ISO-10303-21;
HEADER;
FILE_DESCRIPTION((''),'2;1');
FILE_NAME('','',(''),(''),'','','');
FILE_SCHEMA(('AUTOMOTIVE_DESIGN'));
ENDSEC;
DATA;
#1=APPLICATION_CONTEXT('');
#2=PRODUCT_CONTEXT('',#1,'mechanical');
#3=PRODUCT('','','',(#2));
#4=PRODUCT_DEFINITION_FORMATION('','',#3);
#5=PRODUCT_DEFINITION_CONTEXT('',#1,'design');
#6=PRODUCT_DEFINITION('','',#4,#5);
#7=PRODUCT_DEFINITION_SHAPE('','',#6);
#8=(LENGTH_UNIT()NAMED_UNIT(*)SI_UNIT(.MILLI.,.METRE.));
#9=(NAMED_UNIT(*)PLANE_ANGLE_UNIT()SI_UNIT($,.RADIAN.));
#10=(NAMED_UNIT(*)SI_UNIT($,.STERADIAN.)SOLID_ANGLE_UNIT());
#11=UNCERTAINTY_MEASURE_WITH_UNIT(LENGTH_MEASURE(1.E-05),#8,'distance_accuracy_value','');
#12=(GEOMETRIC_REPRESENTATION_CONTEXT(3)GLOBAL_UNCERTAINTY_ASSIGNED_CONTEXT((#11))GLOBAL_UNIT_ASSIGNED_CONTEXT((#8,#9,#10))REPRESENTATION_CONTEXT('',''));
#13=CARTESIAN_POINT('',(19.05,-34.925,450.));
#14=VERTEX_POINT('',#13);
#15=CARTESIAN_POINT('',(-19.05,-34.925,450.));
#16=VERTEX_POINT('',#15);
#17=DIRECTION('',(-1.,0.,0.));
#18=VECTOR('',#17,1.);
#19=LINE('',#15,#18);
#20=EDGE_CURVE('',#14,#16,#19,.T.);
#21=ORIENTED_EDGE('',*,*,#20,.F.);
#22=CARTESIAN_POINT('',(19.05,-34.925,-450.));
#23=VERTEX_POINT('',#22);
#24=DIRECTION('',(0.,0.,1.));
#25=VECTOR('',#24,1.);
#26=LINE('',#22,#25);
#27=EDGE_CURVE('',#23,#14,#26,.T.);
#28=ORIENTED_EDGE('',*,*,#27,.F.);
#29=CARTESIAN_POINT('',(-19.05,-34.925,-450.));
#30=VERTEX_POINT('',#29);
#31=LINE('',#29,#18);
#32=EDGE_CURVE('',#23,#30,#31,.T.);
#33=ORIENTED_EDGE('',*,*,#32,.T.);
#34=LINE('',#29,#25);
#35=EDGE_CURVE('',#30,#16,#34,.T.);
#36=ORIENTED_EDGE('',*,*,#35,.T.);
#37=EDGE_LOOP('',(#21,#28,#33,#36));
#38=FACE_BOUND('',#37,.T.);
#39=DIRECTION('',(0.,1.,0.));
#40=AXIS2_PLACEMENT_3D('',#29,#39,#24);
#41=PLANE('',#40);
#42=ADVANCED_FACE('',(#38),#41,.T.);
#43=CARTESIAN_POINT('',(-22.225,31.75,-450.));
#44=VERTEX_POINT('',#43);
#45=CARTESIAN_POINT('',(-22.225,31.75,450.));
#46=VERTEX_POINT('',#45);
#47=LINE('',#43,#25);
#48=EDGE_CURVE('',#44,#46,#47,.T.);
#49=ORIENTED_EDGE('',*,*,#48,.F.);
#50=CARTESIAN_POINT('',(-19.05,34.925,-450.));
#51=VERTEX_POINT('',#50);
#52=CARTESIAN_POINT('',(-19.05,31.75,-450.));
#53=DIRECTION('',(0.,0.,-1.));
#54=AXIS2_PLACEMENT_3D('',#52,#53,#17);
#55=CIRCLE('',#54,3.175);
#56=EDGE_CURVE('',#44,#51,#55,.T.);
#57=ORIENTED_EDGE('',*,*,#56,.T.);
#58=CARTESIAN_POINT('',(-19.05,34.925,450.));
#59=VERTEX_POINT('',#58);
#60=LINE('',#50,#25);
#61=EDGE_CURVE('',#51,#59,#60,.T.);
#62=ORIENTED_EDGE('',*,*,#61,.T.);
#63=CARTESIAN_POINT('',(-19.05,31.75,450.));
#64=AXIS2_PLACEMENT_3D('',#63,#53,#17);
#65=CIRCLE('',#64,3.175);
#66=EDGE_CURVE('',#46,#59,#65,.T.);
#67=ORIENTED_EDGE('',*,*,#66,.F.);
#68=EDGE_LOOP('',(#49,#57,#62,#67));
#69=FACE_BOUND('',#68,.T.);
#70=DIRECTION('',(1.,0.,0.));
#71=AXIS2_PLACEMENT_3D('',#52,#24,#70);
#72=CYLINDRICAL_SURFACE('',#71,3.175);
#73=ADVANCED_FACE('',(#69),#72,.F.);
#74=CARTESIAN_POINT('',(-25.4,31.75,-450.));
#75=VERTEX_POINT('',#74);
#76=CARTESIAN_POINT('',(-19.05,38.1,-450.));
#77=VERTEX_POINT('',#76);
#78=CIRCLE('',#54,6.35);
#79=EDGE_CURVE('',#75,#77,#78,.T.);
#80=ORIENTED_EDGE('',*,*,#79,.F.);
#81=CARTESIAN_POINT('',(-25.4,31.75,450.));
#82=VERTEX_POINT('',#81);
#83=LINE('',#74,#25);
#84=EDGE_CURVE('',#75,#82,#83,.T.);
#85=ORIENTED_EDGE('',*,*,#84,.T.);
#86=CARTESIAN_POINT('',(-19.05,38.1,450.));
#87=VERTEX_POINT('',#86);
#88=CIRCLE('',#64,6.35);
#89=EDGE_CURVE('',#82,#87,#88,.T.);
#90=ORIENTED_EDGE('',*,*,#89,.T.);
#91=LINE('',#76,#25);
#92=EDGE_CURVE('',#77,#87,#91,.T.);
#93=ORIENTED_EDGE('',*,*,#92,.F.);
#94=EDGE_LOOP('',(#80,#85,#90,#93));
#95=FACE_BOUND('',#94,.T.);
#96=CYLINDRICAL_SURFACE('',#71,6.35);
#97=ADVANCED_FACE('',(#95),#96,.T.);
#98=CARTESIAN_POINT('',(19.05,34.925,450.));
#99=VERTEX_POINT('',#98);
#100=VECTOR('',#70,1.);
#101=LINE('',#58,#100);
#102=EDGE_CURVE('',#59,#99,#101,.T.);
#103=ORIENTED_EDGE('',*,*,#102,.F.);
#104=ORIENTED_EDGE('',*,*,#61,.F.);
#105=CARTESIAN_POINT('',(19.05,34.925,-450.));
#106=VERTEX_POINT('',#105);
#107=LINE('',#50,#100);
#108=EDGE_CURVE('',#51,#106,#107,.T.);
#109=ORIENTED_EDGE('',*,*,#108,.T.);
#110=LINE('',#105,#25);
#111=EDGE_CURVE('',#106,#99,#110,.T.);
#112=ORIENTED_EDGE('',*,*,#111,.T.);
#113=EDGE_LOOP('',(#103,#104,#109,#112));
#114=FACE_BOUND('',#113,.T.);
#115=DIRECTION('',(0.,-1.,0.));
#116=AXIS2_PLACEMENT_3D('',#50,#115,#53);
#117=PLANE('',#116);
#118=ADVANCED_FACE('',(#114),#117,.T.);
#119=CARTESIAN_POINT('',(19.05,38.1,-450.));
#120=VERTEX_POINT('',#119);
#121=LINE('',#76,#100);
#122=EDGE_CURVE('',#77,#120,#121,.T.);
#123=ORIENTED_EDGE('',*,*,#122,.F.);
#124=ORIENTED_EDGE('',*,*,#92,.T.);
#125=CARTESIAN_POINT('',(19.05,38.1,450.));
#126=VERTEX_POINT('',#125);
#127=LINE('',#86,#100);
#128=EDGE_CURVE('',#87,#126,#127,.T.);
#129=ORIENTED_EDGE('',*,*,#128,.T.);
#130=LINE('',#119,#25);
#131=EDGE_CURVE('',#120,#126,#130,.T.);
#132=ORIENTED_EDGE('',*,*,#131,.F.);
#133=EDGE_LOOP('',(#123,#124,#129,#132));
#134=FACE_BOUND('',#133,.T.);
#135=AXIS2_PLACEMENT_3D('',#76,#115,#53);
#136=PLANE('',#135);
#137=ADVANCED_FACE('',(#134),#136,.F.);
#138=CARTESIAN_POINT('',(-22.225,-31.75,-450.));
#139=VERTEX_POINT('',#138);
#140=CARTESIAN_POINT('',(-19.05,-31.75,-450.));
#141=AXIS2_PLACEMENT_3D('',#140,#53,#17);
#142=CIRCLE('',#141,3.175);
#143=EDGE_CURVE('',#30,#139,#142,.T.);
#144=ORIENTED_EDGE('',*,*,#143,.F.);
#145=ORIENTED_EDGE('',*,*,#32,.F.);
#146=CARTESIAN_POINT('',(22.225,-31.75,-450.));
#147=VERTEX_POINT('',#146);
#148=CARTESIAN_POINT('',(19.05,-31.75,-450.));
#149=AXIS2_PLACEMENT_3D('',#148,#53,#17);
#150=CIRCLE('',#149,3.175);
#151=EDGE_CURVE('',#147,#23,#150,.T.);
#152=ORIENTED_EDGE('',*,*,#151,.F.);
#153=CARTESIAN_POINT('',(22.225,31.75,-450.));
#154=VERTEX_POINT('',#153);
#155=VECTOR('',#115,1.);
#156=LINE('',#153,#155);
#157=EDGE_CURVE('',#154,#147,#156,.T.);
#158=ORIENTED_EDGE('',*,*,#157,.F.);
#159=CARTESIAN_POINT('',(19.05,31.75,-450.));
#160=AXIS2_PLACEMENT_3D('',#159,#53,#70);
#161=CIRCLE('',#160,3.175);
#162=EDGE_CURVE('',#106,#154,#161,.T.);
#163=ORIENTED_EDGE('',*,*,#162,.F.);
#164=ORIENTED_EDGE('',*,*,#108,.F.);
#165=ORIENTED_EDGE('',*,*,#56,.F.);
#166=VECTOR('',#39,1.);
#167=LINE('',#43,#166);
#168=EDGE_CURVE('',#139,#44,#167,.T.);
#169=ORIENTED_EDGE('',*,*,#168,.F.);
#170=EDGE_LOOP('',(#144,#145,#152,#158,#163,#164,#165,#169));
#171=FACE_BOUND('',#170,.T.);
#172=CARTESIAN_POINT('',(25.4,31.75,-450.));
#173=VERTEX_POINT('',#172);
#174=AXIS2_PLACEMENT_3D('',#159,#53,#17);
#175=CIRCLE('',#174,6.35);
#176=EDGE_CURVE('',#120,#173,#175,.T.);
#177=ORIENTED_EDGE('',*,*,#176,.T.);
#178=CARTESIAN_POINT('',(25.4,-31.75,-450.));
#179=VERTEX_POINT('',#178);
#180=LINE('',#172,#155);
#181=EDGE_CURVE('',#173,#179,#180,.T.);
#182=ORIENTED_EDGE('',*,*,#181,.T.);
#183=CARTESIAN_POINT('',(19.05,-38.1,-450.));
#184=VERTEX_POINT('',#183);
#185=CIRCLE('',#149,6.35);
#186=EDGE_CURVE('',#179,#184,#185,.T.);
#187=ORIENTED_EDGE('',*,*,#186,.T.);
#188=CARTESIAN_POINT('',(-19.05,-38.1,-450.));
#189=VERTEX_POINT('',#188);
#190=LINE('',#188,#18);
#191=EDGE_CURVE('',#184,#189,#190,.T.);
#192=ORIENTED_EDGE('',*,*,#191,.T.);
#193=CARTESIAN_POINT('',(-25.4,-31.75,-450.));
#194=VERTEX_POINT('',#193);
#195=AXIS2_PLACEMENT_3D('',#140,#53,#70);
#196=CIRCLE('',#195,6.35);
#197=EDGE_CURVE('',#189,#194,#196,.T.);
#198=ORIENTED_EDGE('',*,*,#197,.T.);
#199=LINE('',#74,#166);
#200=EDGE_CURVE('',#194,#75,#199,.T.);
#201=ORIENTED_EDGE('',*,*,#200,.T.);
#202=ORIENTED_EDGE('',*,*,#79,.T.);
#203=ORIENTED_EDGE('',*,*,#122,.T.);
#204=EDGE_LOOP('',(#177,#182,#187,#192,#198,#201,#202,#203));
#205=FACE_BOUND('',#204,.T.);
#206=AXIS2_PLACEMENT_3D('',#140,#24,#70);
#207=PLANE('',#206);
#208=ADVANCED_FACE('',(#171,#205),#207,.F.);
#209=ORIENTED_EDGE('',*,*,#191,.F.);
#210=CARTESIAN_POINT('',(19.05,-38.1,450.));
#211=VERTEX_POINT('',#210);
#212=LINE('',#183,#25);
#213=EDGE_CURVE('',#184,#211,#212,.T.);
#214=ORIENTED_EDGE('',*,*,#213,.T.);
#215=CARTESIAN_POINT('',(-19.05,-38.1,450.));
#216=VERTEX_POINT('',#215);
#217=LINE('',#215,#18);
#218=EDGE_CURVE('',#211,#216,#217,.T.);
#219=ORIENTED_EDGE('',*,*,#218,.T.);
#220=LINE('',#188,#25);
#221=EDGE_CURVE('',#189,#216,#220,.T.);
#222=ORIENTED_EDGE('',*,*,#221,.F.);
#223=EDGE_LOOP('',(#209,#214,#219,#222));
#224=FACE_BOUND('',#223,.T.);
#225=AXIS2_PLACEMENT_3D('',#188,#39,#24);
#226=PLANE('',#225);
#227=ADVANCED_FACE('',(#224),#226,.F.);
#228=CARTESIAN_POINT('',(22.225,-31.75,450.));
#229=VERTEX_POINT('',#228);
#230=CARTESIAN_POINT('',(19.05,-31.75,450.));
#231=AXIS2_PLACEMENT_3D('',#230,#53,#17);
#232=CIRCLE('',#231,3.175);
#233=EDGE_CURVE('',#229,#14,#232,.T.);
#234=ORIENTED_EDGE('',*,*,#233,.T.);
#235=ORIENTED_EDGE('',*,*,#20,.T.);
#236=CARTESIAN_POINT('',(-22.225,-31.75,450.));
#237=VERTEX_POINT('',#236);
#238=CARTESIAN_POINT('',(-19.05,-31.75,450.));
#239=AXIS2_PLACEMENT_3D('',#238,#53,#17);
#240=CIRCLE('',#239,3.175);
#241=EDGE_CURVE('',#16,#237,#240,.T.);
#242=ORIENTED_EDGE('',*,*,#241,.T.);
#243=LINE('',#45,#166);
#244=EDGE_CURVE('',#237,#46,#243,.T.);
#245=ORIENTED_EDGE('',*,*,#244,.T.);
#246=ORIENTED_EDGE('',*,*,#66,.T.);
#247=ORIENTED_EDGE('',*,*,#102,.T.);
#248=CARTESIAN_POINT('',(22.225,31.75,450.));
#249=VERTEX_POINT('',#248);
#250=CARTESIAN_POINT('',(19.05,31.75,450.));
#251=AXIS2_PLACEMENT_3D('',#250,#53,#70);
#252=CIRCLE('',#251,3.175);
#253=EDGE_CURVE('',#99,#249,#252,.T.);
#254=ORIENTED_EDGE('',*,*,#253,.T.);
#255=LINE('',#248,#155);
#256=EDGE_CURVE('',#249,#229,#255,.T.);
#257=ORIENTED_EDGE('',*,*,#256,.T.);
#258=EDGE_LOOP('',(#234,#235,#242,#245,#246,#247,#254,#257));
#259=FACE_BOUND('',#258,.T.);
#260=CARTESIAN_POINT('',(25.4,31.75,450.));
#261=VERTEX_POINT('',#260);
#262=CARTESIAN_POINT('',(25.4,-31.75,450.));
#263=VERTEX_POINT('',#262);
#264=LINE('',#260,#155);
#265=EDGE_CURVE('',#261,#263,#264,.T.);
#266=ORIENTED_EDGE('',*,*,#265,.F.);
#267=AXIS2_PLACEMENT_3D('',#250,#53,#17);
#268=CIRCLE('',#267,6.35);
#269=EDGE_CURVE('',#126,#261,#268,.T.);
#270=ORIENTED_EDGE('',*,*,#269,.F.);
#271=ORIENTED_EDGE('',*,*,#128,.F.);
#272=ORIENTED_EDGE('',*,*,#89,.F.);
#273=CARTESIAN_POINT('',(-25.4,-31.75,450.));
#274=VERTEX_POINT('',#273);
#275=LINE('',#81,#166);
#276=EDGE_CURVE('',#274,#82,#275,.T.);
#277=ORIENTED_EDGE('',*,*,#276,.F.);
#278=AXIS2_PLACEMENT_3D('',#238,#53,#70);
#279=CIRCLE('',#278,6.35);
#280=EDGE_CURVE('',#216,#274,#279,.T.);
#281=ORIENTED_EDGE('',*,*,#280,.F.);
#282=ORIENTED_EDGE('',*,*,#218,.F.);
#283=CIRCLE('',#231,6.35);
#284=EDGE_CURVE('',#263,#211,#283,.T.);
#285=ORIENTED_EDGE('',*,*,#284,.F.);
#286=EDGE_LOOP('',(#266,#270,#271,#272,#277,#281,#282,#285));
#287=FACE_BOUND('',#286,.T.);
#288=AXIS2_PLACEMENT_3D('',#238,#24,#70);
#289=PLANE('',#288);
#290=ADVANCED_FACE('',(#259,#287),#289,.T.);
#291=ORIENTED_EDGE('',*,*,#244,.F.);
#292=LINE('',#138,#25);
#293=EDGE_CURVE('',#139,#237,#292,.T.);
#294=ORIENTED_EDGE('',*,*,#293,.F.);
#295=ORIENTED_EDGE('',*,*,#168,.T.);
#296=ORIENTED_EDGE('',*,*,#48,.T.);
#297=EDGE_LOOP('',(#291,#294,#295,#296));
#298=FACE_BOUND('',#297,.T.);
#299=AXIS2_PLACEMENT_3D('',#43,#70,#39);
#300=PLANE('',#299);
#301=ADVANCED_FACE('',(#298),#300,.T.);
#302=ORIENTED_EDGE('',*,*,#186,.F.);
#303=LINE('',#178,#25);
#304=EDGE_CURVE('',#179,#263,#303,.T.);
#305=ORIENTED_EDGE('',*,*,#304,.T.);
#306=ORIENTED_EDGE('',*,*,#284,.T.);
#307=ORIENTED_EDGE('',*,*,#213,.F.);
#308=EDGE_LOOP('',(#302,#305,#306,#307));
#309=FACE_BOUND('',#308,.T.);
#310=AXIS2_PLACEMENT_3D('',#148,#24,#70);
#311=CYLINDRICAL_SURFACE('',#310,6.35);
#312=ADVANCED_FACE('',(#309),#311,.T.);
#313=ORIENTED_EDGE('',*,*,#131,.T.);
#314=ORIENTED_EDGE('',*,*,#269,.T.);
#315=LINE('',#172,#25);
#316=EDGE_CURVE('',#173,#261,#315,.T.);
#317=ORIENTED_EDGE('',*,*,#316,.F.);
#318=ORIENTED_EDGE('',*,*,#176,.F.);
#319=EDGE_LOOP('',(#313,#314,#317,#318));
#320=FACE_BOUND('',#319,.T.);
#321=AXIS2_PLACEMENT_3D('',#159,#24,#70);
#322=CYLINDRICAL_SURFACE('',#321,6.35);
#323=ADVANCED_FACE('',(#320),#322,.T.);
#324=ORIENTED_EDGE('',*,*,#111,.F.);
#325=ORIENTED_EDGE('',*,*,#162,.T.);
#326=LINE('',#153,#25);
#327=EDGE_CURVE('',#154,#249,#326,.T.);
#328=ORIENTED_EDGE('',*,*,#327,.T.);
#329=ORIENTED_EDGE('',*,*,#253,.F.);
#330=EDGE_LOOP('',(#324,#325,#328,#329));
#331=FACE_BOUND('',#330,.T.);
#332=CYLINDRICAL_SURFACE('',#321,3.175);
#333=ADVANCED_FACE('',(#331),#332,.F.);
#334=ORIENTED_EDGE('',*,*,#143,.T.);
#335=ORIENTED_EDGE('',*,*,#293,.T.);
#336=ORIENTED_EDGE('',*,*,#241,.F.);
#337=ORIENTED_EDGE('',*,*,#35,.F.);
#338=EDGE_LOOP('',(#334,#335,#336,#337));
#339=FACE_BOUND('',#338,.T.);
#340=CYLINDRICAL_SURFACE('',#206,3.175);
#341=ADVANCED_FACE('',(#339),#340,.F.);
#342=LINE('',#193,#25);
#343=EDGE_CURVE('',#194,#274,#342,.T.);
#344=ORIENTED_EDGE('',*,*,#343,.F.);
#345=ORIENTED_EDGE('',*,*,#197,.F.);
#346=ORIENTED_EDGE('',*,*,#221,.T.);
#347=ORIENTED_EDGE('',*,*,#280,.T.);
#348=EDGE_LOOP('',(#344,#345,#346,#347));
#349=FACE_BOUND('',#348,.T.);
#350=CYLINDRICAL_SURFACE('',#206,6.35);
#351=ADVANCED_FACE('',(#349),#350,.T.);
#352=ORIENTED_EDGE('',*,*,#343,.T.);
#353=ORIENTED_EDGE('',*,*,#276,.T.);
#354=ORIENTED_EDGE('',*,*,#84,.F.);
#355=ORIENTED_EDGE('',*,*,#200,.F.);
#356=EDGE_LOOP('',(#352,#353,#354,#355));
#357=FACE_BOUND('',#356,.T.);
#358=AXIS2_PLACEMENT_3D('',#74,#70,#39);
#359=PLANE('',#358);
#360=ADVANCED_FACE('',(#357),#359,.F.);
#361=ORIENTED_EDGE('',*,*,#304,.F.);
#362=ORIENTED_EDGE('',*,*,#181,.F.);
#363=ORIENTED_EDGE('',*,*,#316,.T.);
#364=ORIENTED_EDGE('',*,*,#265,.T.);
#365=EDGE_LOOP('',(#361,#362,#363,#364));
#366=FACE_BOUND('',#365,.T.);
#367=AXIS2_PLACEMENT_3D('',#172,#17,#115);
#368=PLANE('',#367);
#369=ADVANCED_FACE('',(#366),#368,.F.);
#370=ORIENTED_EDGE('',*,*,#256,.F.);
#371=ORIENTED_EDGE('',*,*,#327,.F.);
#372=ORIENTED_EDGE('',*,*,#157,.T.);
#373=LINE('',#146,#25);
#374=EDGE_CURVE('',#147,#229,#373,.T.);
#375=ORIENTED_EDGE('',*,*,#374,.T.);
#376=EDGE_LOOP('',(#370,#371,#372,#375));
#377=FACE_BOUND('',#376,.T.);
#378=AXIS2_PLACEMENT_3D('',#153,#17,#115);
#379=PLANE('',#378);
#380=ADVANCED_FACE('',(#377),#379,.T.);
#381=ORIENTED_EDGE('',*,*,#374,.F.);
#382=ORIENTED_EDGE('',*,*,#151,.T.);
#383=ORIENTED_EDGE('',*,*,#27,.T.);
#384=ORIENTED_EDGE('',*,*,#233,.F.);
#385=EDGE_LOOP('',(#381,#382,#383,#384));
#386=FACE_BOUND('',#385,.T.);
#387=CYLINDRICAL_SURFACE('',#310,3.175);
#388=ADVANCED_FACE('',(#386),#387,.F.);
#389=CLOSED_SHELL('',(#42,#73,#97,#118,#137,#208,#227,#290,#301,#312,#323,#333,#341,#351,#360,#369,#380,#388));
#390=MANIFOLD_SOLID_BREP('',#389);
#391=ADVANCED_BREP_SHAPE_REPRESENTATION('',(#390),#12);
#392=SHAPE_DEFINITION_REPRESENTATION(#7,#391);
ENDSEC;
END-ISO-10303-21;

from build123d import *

# Parameters (mm, degrees)
CNC_3X2X0_125_1_DEPTH = 900


with BuildPart() as part:
    # Sketch11 → Cnc 3X2X0.125(1) (new body)
    with BuildSketch(Plane.YX.offset(-450)):
        with BuildLine():
            Line((31.75, -25.4), (-31.75, -25.4))
            ThreePointArc((-31.75, -25.4), (-36.240128061, -23.540128061), (-38.1, -19.05))
            Line((-38.1, -19.05), (-38.1, 19.05))
            ThreePointArc((-38.1, 19.05), (-36.240128061, 23.540128061), (-31.75, 25.4))
            Line((-31.75, 25.4), (31.75, 25.4))
            ThreePointArc((31.75, 25.4), (36.240128061, 23.540128061), (38.1, 19.05))
            Line((38.1, 19.05), (38.1, -19.05))
            ThreePointArc((38.1, -19.05), (36.240128061, -23.540128061), (31.75, -25.4))
        make_face()
        with BuildLine():
            Line((31.75, 22.225), (-31.75, 22.225))
            ThreePointArc((-31.75, 22.225), (-33.99506403, 21.29506403), (-34.925, 19.05))
            Line((-34.925, 19.05), (-34.925, -19.05))
            ThreePointArc((-34.925, -19.05), (-33.99506403, -21.29506403), (-31.75, -22.225))
            Line((-31.75, -22.225), (31.75, -22.225))
            ThreePointArc((31.75, -22.225), (33.99506403, -21.29506403), (34.925, -19.05))
            Line((34.925, -19.05), (34.925, 19.05))
            ThreePointArc((34.925, 19.05), (33.99506403, 21.29506403), (31.75, 22.225))
        make_face(mode=Mode.SUBTRACT)
    extrude(amount=CNC_3X2X0_125_1_DEPTH)


solid = part.part
